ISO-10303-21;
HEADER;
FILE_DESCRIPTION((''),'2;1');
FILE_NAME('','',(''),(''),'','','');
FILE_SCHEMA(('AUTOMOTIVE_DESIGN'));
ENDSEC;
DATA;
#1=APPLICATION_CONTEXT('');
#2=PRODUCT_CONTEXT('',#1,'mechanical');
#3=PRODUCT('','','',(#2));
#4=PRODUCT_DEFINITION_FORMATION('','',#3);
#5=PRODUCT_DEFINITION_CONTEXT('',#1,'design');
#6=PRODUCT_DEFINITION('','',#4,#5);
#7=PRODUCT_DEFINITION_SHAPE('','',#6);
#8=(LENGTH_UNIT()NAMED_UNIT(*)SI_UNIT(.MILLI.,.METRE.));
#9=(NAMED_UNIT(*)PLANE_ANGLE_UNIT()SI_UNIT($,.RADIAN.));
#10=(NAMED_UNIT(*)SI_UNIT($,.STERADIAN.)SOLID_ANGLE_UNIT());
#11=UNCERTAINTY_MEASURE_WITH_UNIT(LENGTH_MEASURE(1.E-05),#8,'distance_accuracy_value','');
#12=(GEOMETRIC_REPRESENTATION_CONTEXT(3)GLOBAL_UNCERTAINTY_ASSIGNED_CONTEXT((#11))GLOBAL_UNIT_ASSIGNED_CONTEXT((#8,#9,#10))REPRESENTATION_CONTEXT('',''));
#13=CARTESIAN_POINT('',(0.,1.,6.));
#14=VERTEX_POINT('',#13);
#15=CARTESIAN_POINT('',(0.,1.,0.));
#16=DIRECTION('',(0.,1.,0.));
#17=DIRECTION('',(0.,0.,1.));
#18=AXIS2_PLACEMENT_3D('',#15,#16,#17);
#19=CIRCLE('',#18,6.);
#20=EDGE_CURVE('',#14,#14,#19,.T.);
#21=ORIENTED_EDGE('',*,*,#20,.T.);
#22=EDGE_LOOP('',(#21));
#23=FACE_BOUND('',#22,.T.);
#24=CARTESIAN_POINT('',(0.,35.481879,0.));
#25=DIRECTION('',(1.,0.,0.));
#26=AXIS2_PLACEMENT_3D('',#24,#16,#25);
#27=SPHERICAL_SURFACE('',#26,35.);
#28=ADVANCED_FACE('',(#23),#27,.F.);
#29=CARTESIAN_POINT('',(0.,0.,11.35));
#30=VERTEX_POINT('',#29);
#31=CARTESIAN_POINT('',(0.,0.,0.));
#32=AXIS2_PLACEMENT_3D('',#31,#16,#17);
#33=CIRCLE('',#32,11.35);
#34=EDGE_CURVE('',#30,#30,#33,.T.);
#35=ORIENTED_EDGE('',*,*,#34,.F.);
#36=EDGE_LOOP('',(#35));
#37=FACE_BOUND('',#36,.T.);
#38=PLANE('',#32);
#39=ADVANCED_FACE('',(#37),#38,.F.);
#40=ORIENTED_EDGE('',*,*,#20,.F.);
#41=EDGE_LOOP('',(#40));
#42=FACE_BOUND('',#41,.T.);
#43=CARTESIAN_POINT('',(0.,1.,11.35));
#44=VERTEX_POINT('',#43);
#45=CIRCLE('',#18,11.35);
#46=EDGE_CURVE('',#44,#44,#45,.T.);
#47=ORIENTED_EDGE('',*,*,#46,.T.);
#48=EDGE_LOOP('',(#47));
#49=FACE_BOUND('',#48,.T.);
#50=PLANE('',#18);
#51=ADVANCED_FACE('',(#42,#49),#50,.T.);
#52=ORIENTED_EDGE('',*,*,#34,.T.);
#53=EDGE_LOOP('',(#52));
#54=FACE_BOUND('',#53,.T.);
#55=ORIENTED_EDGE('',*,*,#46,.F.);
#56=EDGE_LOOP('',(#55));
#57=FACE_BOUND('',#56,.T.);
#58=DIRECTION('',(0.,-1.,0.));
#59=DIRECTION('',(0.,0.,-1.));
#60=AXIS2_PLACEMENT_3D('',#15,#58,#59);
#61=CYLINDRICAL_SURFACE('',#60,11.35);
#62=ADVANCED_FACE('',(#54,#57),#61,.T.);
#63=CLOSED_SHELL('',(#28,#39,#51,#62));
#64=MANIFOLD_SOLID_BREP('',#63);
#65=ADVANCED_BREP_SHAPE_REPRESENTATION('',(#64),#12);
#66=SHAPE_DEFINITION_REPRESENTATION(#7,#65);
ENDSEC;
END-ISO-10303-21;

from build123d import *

# Parameters (mm, degrees)
SKETCH1_R           = 11.35
BOSS_EXTRUDE1_DEPTH = 1


with BuildPart() as part:
    # Sketch1 → Boss-Extrude1 (new body)
    with BuildSketch(Plane(origin=(0, 0, 0), x_dir=(1, 0, 0), z_dir=(0, 1, 0))):
        with Locations(Location((0, 0, 0), (0, 0, 270))):
            Circle(SKETCH1_R)
    extrude(amount=BOSS_EXTRUDE1_DEPTH)

    # Sketch2 → Cut-Revolve1 (revolve, cut)
    with BuildSketch(Plane.XY):
        with BuildLine():
            Line((0, 1), (6, 1))
            ThreePointArc((6, 1), (3.011164603, 0.611650052), (0, 0.481879299))
            Line((0, 0.481879299), (0, 1))
        make_face()
    revolve(axis=Axis((0, 3.505343026, 0), (0, -1, 0)), mode=Mode.SUBTRACT)


solid = part.part
